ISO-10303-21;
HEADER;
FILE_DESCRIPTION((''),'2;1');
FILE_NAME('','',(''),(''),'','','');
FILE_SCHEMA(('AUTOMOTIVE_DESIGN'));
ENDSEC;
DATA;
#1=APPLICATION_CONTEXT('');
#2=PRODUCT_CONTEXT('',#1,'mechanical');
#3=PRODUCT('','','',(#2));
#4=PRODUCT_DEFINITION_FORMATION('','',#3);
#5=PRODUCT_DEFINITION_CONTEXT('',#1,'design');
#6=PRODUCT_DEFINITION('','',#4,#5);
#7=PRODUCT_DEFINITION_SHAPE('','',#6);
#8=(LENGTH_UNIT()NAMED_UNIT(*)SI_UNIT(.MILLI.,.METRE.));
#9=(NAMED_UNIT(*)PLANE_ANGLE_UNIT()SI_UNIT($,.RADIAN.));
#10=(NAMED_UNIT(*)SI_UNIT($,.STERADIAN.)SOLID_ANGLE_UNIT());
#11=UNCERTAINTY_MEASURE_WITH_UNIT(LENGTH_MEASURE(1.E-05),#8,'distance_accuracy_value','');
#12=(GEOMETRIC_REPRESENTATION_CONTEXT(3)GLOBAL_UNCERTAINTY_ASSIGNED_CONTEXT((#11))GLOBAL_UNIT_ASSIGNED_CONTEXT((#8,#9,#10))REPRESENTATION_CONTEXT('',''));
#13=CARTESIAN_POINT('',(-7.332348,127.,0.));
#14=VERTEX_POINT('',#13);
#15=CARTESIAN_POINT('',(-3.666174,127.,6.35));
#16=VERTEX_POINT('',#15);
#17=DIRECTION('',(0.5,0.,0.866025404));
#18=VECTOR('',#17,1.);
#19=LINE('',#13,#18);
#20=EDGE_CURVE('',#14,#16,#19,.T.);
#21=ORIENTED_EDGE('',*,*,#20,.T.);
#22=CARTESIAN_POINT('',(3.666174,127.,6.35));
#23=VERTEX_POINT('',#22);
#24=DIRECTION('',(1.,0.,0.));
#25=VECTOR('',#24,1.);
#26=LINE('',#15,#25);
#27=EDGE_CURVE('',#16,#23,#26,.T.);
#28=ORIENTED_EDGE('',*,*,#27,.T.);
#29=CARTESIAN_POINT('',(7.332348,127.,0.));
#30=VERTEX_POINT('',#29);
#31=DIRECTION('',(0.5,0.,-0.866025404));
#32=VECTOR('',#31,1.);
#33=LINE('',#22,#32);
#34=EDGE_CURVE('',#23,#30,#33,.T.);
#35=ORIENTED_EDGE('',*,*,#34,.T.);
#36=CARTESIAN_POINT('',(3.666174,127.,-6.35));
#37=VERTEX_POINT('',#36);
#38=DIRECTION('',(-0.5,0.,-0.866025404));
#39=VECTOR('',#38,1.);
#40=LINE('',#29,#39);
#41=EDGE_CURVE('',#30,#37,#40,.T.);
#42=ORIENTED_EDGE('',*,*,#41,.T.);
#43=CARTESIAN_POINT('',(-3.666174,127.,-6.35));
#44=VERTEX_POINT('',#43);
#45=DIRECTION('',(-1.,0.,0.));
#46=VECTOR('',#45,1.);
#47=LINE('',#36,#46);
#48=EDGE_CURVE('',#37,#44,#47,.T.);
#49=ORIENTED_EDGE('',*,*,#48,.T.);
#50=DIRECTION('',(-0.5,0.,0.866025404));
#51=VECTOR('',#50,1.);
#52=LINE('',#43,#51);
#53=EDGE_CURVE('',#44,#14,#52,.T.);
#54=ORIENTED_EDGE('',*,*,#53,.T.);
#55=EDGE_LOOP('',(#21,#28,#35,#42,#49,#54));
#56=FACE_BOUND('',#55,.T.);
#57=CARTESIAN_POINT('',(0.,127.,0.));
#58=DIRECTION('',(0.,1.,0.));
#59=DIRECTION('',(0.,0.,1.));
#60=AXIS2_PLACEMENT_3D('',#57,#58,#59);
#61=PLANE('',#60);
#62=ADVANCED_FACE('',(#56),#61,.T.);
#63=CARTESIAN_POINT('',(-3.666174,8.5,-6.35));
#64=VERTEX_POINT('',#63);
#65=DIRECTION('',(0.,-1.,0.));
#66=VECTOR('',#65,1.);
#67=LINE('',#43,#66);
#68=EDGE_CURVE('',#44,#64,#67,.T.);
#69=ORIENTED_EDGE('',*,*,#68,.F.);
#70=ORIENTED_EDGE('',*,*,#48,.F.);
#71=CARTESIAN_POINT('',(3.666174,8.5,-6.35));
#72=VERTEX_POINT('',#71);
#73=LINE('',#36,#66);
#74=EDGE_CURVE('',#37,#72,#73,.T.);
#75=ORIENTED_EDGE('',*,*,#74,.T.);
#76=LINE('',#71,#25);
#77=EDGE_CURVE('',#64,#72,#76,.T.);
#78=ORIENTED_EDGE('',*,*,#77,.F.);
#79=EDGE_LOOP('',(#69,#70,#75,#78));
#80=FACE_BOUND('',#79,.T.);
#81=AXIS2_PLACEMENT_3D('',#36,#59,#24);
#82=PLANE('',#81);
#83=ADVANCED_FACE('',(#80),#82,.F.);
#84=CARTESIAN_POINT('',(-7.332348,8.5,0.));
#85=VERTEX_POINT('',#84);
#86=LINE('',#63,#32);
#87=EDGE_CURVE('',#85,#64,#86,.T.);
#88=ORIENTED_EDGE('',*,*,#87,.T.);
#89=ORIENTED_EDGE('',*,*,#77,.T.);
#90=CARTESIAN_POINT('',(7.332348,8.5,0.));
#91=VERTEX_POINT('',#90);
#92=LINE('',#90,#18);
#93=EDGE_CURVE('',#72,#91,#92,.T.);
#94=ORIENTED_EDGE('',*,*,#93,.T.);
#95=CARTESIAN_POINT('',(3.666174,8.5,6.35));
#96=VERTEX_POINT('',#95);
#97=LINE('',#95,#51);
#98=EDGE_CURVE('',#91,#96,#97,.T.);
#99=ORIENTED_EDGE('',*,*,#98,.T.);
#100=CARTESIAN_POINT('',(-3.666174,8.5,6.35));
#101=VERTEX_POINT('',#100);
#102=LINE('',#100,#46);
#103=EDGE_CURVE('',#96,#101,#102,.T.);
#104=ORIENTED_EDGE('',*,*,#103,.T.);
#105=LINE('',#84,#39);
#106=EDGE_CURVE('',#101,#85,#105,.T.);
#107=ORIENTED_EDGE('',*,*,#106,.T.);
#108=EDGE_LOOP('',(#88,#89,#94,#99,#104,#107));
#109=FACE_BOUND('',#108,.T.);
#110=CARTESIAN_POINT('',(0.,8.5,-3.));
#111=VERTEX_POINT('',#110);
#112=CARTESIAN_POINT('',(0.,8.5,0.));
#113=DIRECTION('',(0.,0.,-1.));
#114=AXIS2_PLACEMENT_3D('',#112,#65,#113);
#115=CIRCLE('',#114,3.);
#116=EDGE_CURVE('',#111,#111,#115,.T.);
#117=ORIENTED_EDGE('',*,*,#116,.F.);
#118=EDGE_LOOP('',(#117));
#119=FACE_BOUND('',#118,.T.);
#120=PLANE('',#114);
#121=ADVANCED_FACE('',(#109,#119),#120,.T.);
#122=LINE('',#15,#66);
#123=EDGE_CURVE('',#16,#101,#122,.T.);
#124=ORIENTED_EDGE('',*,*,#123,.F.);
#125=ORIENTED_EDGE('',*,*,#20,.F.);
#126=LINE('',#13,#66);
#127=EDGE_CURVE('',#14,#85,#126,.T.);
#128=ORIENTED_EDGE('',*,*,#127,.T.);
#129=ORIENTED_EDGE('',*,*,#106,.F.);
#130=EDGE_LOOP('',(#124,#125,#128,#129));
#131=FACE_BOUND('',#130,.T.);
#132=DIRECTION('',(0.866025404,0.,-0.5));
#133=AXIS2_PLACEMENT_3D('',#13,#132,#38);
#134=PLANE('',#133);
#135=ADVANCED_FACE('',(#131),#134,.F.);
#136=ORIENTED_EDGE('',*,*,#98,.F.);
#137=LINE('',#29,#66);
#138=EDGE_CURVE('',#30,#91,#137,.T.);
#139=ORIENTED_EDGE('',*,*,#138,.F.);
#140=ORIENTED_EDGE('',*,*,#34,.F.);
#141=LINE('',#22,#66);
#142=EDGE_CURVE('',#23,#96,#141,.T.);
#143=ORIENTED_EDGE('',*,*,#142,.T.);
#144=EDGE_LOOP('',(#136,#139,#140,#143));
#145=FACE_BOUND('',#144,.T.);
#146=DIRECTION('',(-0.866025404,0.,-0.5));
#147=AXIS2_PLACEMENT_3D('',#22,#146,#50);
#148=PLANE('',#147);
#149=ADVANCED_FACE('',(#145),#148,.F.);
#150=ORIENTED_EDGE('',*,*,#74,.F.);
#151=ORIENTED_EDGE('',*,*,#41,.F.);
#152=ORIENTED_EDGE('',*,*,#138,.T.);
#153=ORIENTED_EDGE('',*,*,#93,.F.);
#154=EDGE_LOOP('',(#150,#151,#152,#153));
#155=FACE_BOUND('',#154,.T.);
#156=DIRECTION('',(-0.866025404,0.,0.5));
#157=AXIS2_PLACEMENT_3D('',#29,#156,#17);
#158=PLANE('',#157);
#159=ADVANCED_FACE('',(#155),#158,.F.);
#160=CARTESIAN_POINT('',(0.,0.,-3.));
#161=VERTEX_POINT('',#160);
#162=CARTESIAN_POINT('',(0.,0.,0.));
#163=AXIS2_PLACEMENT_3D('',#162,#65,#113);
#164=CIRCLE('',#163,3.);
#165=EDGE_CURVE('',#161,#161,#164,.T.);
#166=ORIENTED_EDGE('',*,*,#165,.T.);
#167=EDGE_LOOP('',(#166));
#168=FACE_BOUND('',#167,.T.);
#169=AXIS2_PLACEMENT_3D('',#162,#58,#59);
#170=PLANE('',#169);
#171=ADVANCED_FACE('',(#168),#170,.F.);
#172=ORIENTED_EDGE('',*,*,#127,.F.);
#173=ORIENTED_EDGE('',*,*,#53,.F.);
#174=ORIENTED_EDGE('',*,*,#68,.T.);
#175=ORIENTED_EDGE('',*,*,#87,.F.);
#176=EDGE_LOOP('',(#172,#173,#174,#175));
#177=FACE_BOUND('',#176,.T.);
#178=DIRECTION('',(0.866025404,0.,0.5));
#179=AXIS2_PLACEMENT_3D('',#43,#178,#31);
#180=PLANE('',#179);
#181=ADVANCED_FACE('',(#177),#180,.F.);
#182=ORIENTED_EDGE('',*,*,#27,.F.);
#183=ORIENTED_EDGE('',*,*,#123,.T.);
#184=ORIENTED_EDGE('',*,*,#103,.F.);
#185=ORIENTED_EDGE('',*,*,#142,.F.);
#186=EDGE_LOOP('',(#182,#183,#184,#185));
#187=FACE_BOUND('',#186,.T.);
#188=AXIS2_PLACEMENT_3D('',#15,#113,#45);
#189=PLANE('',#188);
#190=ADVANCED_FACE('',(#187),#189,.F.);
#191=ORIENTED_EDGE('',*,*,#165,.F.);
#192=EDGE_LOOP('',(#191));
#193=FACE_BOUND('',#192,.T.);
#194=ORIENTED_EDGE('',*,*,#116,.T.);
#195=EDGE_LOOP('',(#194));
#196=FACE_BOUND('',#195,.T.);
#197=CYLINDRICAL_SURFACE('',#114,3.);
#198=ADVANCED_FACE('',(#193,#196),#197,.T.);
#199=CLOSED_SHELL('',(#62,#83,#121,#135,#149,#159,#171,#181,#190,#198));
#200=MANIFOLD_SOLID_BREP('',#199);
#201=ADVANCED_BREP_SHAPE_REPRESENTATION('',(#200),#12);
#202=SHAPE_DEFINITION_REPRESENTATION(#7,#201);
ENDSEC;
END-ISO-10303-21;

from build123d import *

# Parameters (mm, degrees)
BOSS_EXTRUDE1_DEPTH = 127
SKETCH3_R           = 18.31161494
SKETCH3_R_2         = 3
CUT_EXTRUDE1_DEPTH  = 8.5


with BuildPart() as part:
    # Sketch1 → Boss-Extrude1 (new body)
    with BuildSketch(Plane(origin=(0, 0, 0), x_dir=(1, 0, 0), z_dir=(0, 1, 0))):
        Polygon((7.332348419, 0), (3.666174209, 6.35), (-3.666174209, 6.35), (-7.332348419, 0), (-3.666174209, -6.35), (3.666174209, -6.35), align=None)
    extrude(amount=BOSS_EXTRUDE1_DEPTH)

    # Sketch3 → Cut-Extrude1 (cut)
    with BuildSketch(Plane.XZ):
        Circle(SKETCH3_R)
        Circle(SKETCH3_R_2, mode=Mode.SUBTRACT)
    extrude(amount=-CUT_EXTRUDE1_DEPTH, mode=Mode.SUBTRACT)


solid = part.part
